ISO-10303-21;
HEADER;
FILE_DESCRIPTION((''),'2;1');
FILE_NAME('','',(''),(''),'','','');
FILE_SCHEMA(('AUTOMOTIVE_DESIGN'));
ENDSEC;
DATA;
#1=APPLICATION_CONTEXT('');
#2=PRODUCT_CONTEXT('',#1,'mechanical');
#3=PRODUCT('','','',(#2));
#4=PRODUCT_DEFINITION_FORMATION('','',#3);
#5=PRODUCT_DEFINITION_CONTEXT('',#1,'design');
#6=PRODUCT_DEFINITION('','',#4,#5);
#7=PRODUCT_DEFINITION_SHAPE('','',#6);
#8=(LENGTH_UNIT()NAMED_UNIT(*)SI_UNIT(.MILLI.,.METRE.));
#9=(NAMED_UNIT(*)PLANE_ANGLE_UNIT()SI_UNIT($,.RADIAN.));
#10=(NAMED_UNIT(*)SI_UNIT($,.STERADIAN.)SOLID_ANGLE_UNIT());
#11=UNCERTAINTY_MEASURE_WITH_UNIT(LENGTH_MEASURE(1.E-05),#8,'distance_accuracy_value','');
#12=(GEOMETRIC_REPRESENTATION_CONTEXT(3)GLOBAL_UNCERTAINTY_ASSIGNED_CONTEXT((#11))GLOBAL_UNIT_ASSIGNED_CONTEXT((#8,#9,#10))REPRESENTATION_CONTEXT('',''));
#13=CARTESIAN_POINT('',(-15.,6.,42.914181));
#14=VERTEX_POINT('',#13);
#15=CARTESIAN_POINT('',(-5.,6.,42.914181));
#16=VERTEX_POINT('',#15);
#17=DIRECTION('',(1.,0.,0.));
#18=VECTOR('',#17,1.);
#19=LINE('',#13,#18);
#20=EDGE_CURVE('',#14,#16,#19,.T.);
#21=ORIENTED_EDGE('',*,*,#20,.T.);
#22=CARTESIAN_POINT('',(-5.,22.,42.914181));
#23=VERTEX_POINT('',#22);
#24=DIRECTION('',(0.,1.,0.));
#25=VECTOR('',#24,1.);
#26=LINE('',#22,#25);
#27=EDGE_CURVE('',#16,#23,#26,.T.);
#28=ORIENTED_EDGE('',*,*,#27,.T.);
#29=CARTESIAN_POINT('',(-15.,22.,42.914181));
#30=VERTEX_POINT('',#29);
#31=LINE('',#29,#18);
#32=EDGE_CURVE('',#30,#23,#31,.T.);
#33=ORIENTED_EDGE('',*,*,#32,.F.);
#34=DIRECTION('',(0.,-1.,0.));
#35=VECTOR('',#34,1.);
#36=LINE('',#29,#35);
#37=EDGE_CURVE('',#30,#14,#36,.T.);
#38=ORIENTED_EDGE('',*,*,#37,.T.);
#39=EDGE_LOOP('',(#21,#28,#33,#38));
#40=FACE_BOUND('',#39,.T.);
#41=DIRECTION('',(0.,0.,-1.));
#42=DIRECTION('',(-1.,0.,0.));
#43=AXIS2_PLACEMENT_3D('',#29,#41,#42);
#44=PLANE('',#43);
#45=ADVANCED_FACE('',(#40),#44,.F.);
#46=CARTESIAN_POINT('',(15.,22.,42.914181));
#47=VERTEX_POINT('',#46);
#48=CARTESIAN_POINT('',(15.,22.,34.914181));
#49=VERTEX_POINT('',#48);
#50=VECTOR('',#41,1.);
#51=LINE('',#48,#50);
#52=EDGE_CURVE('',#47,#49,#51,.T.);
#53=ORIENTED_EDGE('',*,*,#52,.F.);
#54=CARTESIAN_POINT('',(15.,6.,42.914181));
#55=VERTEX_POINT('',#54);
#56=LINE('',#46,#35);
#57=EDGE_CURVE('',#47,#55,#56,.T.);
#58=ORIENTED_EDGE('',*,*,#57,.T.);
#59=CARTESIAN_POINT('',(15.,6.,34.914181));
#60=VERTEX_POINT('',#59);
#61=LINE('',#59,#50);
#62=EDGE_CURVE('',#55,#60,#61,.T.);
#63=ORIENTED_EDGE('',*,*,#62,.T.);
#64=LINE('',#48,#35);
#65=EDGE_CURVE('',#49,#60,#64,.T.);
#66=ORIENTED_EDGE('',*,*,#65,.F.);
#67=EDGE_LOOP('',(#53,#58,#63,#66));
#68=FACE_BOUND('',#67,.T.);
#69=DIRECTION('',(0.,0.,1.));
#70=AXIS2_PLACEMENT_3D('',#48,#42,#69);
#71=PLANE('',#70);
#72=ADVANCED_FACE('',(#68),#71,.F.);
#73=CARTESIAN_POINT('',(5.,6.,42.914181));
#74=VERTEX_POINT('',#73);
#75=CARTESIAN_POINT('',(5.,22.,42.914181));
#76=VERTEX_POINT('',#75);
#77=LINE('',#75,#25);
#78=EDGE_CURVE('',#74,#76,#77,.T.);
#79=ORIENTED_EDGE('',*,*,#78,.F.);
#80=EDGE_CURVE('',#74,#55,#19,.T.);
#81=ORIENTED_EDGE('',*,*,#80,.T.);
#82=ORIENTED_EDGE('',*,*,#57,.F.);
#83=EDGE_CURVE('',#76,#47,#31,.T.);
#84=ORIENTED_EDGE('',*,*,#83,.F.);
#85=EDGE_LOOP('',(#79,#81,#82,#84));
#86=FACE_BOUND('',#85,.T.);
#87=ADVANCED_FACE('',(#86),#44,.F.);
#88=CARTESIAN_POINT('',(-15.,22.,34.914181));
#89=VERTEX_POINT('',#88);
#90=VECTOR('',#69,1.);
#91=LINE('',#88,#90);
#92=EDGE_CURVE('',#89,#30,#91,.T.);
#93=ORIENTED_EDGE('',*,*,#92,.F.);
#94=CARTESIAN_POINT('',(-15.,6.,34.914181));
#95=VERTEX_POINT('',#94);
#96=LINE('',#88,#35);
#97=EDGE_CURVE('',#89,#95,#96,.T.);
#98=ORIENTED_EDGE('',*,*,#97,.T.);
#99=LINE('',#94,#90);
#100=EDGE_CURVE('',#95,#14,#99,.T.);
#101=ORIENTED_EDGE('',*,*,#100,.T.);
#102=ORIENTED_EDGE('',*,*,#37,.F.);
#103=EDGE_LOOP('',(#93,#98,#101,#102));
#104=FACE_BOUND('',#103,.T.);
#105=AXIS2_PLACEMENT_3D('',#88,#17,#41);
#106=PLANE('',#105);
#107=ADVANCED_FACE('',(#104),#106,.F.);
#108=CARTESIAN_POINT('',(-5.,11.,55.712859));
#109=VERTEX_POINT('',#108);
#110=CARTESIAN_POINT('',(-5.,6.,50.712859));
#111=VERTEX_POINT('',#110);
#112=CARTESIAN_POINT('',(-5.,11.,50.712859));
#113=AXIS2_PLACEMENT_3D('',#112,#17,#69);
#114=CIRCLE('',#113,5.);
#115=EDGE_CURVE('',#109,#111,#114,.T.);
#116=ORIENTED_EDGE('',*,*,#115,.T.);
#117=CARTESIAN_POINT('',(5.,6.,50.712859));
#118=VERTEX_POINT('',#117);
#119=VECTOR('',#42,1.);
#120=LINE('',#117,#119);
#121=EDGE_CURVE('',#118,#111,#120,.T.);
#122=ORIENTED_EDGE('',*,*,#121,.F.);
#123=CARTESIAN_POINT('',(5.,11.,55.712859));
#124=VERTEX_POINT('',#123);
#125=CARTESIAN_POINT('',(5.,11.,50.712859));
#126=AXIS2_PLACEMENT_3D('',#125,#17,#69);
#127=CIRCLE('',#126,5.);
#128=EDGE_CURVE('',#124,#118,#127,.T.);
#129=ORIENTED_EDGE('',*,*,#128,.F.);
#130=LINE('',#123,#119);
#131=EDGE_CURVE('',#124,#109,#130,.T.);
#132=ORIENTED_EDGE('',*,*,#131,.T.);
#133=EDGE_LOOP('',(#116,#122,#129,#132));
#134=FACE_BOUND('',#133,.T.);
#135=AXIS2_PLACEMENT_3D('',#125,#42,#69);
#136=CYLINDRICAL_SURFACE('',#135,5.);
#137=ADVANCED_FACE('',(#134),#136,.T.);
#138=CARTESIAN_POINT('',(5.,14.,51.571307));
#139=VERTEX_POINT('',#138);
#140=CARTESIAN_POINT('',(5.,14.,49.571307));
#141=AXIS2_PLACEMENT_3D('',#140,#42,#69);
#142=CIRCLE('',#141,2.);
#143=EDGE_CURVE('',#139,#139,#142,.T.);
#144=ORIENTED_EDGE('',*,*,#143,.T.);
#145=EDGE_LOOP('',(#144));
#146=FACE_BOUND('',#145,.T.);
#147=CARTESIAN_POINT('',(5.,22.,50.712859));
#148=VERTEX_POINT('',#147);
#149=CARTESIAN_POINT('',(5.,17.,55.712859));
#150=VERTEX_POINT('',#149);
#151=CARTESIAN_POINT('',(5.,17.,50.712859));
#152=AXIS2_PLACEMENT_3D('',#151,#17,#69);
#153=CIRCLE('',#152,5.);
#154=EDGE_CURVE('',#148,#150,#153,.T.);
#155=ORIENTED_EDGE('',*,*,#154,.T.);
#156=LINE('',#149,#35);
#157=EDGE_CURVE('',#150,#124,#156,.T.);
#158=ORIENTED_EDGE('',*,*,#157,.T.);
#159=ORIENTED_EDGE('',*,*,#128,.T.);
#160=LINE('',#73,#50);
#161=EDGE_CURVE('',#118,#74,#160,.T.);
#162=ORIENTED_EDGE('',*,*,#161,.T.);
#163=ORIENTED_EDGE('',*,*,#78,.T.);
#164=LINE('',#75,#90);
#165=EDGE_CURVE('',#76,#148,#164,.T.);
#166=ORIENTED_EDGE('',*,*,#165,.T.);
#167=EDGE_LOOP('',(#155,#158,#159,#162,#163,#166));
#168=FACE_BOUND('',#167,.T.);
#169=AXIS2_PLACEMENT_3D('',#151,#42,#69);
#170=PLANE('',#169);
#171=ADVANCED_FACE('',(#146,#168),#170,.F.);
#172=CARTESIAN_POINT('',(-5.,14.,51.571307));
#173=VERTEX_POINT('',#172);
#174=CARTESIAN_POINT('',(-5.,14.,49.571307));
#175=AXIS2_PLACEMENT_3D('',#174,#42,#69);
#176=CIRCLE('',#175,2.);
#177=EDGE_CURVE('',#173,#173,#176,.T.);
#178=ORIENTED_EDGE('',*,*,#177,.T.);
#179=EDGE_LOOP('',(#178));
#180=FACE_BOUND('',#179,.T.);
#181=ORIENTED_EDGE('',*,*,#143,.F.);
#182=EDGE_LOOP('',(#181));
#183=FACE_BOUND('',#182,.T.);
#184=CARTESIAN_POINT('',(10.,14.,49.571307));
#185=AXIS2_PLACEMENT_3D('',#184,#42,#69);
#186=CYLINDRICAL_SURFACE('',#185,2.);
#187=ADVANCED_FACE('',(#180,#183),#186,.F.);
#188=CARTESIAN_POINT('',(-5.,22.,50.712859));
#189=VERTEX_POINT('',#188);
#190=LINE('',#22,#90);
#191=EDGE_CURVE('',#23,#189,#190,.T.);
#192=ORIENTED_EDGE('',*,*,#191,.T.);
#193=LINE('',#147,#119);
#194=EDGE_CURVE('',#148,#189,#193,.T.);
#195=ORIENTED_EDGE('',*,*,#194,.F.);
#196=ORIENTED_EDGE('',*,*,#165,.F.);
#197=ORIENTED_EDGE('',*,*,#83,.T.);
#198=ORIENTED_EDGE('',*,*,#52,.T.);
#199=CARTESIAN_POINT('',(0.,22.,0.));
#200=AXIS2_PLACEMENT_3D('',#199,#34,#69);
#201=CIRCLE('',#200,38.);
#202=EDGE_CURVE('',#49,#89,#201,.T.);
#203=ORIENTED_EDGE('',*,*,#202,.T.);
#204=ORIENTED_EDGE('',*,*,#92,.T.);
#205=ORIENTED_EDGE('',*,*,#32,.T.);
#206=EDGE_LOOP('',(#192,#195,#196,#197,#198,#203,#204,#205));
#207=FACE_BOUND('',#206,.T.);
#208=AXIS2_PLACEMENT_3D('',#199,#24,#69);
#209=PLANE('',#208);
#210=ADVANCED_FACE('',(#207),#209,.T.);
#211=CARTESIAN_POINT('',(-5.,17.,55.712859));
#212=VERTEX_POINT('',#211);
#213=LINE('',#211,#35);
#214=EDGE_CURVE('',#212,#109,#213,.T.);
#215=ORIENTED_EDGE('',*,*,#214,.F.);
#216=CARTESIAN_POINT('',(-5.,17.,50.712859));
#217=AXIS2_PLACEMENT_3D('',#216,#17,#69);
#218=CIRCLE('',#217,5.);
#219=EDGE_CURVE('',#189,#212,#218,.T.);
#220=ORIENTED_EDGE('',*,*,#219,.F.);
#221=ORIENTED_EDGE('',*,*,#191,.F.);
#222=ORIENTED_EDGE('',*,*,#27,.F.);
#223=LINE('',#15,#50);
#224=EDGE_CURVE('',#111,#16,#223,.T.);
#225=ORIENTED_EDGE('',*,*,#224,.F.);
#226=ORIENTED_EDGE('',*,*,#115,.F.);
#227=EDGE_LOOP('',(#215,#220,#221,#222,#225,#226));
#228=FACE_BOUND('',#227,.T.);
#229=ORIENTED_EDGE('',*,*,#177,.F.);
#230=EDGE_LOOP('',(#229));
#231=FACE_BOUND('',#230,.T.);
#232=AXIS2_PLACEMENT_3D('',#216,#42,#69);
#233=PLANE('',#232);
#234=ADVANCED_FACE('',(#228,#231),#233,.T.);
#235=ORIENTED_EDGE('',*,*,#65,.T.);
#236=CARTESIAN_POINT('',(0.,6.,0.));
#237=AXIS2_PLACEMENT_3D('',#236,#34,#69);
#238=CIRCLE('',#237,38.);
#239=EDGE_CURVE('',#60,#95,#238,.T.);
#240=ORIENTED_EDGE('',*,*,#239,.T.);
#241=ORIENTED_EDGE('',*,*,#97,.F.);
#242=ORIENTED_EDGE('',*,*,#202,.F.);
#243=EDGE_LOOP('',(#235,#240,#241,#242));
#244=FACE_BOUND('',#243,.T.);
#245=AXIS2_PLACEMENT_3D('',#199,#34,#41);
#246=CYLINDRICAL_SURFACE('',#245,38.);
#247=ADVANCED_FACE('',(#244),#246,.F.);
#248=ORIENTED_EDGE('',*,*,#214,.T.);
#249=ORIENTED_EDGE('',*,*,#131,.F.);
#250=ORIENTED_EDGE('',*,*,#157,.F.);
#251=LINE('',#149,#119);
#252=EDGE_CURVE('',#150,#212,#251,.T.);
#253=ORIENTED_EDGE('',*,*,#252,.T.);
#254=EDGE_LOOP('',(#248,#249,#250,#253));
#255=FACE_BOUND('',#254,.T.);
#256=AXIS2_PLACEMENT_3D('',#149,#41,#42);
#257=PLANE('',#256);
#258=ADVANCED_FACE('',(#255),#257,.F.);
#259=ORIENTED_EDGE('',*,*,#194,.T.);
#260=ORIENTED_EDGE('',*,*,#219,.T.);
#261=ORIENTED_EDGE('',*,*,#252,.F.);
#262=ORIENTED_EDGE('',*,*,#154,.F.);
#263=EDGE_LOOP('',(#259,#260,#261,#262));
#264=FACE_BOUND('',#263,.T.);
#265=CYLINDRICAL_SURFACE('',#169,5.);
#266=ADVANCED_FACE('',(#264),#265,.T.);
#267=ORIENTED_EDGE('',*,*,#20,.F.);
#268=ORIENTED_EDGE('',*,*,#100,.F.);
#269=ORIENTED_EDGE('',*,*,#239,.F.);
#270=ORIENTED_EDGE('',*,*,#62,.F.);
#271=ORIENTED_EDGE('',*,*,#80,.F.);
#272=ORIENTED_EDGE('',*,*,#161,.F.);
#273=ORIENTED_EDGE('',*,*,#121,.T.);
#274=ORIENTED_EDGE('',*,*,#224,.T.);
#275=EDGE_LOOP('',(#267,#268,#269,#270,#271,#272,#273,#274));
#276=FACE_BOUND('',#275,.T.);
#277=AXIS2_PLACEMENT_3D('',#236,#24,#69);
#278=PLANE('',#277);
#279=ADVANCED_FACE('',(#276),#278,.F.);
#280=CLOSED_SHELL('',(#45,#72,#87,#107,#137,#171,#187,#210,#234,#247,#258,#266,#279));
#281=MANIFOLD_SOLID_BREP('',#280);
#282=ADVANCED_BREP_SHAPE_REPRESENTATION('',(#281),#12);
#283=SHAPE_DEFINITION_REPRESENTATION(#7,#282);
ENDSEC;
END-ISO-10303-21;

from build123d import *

# Parameters (mm, degrees)
EXTRUDE_START       = 6
EXTRUDE_1_DEPTH     = 16
EXTRUDE_2_DEPTH     = 5
SKETCH_3_R          = 2
CUT_EXTRUDE_1_DEPTH = 15


with BuildPart() as part:
    # Эскиз1 → Вытянуть1 (new body)
    with BuildSketch(Plane(origin=(0, 0, 0), x_dir=(1, 0, 0), z_dir=(0, 1, 0)).offset(EXTRUDE_START)):
        with BuildLine():
            Line((-15, -34.9141805), (-15, -42.9141805))
            Line((-15, -42.9141805), (15, -42.9141805))
            Line((15, -42.9141805), (15, -34.9141805))
            ThreePointArc((15, -34.9141805), (0, -38), (-15, -34.9141805))
        make_face()
    extrude(amount=EXTRUDE_1_DEPTH)

    # Эскиз2 → Вытянуть2 (add, symmetric)
    with BuildSketch(Plane(origin=(0, 0, 0), x_dir=(0, 0, -1), z_dir=(1, 0, 0))):
        with BuildLine():
            Line((-42.9141805, 22), (-50.712858665, 22))
            ThreePointArc((-50.712858665, 22), (-54.248392571, 20.535533906), (-55.712858665, 17))
            Line((-55.712858665, 17), (-55.712858665, 11))
            ThreePointArc((-55.712858665, 11), (-54.248392571, 7.464466094), (-50.712858665, 6))
            Line((-50.712858665, 6), (-42.9141805, 6))
            Line((-42.9141805, 6), (-42.9141805, 22))
        make_face()
    extrude(amount=EXTRUDE_2_DEPTH, both=True)

    # Эскиз3 → Вырез-Вытянуть1 (cut, symmetric)
    with BuildSketch(Plane.ZY.offset(5)):
        with Locations((49.571306652, 14)):
            Circle(SKETCH_3_R)
    extrude(amount=CUT_EXTRUDE_1_DEPTH, both=True, mode=Mode.SUBTRACT)


solid = part.part
